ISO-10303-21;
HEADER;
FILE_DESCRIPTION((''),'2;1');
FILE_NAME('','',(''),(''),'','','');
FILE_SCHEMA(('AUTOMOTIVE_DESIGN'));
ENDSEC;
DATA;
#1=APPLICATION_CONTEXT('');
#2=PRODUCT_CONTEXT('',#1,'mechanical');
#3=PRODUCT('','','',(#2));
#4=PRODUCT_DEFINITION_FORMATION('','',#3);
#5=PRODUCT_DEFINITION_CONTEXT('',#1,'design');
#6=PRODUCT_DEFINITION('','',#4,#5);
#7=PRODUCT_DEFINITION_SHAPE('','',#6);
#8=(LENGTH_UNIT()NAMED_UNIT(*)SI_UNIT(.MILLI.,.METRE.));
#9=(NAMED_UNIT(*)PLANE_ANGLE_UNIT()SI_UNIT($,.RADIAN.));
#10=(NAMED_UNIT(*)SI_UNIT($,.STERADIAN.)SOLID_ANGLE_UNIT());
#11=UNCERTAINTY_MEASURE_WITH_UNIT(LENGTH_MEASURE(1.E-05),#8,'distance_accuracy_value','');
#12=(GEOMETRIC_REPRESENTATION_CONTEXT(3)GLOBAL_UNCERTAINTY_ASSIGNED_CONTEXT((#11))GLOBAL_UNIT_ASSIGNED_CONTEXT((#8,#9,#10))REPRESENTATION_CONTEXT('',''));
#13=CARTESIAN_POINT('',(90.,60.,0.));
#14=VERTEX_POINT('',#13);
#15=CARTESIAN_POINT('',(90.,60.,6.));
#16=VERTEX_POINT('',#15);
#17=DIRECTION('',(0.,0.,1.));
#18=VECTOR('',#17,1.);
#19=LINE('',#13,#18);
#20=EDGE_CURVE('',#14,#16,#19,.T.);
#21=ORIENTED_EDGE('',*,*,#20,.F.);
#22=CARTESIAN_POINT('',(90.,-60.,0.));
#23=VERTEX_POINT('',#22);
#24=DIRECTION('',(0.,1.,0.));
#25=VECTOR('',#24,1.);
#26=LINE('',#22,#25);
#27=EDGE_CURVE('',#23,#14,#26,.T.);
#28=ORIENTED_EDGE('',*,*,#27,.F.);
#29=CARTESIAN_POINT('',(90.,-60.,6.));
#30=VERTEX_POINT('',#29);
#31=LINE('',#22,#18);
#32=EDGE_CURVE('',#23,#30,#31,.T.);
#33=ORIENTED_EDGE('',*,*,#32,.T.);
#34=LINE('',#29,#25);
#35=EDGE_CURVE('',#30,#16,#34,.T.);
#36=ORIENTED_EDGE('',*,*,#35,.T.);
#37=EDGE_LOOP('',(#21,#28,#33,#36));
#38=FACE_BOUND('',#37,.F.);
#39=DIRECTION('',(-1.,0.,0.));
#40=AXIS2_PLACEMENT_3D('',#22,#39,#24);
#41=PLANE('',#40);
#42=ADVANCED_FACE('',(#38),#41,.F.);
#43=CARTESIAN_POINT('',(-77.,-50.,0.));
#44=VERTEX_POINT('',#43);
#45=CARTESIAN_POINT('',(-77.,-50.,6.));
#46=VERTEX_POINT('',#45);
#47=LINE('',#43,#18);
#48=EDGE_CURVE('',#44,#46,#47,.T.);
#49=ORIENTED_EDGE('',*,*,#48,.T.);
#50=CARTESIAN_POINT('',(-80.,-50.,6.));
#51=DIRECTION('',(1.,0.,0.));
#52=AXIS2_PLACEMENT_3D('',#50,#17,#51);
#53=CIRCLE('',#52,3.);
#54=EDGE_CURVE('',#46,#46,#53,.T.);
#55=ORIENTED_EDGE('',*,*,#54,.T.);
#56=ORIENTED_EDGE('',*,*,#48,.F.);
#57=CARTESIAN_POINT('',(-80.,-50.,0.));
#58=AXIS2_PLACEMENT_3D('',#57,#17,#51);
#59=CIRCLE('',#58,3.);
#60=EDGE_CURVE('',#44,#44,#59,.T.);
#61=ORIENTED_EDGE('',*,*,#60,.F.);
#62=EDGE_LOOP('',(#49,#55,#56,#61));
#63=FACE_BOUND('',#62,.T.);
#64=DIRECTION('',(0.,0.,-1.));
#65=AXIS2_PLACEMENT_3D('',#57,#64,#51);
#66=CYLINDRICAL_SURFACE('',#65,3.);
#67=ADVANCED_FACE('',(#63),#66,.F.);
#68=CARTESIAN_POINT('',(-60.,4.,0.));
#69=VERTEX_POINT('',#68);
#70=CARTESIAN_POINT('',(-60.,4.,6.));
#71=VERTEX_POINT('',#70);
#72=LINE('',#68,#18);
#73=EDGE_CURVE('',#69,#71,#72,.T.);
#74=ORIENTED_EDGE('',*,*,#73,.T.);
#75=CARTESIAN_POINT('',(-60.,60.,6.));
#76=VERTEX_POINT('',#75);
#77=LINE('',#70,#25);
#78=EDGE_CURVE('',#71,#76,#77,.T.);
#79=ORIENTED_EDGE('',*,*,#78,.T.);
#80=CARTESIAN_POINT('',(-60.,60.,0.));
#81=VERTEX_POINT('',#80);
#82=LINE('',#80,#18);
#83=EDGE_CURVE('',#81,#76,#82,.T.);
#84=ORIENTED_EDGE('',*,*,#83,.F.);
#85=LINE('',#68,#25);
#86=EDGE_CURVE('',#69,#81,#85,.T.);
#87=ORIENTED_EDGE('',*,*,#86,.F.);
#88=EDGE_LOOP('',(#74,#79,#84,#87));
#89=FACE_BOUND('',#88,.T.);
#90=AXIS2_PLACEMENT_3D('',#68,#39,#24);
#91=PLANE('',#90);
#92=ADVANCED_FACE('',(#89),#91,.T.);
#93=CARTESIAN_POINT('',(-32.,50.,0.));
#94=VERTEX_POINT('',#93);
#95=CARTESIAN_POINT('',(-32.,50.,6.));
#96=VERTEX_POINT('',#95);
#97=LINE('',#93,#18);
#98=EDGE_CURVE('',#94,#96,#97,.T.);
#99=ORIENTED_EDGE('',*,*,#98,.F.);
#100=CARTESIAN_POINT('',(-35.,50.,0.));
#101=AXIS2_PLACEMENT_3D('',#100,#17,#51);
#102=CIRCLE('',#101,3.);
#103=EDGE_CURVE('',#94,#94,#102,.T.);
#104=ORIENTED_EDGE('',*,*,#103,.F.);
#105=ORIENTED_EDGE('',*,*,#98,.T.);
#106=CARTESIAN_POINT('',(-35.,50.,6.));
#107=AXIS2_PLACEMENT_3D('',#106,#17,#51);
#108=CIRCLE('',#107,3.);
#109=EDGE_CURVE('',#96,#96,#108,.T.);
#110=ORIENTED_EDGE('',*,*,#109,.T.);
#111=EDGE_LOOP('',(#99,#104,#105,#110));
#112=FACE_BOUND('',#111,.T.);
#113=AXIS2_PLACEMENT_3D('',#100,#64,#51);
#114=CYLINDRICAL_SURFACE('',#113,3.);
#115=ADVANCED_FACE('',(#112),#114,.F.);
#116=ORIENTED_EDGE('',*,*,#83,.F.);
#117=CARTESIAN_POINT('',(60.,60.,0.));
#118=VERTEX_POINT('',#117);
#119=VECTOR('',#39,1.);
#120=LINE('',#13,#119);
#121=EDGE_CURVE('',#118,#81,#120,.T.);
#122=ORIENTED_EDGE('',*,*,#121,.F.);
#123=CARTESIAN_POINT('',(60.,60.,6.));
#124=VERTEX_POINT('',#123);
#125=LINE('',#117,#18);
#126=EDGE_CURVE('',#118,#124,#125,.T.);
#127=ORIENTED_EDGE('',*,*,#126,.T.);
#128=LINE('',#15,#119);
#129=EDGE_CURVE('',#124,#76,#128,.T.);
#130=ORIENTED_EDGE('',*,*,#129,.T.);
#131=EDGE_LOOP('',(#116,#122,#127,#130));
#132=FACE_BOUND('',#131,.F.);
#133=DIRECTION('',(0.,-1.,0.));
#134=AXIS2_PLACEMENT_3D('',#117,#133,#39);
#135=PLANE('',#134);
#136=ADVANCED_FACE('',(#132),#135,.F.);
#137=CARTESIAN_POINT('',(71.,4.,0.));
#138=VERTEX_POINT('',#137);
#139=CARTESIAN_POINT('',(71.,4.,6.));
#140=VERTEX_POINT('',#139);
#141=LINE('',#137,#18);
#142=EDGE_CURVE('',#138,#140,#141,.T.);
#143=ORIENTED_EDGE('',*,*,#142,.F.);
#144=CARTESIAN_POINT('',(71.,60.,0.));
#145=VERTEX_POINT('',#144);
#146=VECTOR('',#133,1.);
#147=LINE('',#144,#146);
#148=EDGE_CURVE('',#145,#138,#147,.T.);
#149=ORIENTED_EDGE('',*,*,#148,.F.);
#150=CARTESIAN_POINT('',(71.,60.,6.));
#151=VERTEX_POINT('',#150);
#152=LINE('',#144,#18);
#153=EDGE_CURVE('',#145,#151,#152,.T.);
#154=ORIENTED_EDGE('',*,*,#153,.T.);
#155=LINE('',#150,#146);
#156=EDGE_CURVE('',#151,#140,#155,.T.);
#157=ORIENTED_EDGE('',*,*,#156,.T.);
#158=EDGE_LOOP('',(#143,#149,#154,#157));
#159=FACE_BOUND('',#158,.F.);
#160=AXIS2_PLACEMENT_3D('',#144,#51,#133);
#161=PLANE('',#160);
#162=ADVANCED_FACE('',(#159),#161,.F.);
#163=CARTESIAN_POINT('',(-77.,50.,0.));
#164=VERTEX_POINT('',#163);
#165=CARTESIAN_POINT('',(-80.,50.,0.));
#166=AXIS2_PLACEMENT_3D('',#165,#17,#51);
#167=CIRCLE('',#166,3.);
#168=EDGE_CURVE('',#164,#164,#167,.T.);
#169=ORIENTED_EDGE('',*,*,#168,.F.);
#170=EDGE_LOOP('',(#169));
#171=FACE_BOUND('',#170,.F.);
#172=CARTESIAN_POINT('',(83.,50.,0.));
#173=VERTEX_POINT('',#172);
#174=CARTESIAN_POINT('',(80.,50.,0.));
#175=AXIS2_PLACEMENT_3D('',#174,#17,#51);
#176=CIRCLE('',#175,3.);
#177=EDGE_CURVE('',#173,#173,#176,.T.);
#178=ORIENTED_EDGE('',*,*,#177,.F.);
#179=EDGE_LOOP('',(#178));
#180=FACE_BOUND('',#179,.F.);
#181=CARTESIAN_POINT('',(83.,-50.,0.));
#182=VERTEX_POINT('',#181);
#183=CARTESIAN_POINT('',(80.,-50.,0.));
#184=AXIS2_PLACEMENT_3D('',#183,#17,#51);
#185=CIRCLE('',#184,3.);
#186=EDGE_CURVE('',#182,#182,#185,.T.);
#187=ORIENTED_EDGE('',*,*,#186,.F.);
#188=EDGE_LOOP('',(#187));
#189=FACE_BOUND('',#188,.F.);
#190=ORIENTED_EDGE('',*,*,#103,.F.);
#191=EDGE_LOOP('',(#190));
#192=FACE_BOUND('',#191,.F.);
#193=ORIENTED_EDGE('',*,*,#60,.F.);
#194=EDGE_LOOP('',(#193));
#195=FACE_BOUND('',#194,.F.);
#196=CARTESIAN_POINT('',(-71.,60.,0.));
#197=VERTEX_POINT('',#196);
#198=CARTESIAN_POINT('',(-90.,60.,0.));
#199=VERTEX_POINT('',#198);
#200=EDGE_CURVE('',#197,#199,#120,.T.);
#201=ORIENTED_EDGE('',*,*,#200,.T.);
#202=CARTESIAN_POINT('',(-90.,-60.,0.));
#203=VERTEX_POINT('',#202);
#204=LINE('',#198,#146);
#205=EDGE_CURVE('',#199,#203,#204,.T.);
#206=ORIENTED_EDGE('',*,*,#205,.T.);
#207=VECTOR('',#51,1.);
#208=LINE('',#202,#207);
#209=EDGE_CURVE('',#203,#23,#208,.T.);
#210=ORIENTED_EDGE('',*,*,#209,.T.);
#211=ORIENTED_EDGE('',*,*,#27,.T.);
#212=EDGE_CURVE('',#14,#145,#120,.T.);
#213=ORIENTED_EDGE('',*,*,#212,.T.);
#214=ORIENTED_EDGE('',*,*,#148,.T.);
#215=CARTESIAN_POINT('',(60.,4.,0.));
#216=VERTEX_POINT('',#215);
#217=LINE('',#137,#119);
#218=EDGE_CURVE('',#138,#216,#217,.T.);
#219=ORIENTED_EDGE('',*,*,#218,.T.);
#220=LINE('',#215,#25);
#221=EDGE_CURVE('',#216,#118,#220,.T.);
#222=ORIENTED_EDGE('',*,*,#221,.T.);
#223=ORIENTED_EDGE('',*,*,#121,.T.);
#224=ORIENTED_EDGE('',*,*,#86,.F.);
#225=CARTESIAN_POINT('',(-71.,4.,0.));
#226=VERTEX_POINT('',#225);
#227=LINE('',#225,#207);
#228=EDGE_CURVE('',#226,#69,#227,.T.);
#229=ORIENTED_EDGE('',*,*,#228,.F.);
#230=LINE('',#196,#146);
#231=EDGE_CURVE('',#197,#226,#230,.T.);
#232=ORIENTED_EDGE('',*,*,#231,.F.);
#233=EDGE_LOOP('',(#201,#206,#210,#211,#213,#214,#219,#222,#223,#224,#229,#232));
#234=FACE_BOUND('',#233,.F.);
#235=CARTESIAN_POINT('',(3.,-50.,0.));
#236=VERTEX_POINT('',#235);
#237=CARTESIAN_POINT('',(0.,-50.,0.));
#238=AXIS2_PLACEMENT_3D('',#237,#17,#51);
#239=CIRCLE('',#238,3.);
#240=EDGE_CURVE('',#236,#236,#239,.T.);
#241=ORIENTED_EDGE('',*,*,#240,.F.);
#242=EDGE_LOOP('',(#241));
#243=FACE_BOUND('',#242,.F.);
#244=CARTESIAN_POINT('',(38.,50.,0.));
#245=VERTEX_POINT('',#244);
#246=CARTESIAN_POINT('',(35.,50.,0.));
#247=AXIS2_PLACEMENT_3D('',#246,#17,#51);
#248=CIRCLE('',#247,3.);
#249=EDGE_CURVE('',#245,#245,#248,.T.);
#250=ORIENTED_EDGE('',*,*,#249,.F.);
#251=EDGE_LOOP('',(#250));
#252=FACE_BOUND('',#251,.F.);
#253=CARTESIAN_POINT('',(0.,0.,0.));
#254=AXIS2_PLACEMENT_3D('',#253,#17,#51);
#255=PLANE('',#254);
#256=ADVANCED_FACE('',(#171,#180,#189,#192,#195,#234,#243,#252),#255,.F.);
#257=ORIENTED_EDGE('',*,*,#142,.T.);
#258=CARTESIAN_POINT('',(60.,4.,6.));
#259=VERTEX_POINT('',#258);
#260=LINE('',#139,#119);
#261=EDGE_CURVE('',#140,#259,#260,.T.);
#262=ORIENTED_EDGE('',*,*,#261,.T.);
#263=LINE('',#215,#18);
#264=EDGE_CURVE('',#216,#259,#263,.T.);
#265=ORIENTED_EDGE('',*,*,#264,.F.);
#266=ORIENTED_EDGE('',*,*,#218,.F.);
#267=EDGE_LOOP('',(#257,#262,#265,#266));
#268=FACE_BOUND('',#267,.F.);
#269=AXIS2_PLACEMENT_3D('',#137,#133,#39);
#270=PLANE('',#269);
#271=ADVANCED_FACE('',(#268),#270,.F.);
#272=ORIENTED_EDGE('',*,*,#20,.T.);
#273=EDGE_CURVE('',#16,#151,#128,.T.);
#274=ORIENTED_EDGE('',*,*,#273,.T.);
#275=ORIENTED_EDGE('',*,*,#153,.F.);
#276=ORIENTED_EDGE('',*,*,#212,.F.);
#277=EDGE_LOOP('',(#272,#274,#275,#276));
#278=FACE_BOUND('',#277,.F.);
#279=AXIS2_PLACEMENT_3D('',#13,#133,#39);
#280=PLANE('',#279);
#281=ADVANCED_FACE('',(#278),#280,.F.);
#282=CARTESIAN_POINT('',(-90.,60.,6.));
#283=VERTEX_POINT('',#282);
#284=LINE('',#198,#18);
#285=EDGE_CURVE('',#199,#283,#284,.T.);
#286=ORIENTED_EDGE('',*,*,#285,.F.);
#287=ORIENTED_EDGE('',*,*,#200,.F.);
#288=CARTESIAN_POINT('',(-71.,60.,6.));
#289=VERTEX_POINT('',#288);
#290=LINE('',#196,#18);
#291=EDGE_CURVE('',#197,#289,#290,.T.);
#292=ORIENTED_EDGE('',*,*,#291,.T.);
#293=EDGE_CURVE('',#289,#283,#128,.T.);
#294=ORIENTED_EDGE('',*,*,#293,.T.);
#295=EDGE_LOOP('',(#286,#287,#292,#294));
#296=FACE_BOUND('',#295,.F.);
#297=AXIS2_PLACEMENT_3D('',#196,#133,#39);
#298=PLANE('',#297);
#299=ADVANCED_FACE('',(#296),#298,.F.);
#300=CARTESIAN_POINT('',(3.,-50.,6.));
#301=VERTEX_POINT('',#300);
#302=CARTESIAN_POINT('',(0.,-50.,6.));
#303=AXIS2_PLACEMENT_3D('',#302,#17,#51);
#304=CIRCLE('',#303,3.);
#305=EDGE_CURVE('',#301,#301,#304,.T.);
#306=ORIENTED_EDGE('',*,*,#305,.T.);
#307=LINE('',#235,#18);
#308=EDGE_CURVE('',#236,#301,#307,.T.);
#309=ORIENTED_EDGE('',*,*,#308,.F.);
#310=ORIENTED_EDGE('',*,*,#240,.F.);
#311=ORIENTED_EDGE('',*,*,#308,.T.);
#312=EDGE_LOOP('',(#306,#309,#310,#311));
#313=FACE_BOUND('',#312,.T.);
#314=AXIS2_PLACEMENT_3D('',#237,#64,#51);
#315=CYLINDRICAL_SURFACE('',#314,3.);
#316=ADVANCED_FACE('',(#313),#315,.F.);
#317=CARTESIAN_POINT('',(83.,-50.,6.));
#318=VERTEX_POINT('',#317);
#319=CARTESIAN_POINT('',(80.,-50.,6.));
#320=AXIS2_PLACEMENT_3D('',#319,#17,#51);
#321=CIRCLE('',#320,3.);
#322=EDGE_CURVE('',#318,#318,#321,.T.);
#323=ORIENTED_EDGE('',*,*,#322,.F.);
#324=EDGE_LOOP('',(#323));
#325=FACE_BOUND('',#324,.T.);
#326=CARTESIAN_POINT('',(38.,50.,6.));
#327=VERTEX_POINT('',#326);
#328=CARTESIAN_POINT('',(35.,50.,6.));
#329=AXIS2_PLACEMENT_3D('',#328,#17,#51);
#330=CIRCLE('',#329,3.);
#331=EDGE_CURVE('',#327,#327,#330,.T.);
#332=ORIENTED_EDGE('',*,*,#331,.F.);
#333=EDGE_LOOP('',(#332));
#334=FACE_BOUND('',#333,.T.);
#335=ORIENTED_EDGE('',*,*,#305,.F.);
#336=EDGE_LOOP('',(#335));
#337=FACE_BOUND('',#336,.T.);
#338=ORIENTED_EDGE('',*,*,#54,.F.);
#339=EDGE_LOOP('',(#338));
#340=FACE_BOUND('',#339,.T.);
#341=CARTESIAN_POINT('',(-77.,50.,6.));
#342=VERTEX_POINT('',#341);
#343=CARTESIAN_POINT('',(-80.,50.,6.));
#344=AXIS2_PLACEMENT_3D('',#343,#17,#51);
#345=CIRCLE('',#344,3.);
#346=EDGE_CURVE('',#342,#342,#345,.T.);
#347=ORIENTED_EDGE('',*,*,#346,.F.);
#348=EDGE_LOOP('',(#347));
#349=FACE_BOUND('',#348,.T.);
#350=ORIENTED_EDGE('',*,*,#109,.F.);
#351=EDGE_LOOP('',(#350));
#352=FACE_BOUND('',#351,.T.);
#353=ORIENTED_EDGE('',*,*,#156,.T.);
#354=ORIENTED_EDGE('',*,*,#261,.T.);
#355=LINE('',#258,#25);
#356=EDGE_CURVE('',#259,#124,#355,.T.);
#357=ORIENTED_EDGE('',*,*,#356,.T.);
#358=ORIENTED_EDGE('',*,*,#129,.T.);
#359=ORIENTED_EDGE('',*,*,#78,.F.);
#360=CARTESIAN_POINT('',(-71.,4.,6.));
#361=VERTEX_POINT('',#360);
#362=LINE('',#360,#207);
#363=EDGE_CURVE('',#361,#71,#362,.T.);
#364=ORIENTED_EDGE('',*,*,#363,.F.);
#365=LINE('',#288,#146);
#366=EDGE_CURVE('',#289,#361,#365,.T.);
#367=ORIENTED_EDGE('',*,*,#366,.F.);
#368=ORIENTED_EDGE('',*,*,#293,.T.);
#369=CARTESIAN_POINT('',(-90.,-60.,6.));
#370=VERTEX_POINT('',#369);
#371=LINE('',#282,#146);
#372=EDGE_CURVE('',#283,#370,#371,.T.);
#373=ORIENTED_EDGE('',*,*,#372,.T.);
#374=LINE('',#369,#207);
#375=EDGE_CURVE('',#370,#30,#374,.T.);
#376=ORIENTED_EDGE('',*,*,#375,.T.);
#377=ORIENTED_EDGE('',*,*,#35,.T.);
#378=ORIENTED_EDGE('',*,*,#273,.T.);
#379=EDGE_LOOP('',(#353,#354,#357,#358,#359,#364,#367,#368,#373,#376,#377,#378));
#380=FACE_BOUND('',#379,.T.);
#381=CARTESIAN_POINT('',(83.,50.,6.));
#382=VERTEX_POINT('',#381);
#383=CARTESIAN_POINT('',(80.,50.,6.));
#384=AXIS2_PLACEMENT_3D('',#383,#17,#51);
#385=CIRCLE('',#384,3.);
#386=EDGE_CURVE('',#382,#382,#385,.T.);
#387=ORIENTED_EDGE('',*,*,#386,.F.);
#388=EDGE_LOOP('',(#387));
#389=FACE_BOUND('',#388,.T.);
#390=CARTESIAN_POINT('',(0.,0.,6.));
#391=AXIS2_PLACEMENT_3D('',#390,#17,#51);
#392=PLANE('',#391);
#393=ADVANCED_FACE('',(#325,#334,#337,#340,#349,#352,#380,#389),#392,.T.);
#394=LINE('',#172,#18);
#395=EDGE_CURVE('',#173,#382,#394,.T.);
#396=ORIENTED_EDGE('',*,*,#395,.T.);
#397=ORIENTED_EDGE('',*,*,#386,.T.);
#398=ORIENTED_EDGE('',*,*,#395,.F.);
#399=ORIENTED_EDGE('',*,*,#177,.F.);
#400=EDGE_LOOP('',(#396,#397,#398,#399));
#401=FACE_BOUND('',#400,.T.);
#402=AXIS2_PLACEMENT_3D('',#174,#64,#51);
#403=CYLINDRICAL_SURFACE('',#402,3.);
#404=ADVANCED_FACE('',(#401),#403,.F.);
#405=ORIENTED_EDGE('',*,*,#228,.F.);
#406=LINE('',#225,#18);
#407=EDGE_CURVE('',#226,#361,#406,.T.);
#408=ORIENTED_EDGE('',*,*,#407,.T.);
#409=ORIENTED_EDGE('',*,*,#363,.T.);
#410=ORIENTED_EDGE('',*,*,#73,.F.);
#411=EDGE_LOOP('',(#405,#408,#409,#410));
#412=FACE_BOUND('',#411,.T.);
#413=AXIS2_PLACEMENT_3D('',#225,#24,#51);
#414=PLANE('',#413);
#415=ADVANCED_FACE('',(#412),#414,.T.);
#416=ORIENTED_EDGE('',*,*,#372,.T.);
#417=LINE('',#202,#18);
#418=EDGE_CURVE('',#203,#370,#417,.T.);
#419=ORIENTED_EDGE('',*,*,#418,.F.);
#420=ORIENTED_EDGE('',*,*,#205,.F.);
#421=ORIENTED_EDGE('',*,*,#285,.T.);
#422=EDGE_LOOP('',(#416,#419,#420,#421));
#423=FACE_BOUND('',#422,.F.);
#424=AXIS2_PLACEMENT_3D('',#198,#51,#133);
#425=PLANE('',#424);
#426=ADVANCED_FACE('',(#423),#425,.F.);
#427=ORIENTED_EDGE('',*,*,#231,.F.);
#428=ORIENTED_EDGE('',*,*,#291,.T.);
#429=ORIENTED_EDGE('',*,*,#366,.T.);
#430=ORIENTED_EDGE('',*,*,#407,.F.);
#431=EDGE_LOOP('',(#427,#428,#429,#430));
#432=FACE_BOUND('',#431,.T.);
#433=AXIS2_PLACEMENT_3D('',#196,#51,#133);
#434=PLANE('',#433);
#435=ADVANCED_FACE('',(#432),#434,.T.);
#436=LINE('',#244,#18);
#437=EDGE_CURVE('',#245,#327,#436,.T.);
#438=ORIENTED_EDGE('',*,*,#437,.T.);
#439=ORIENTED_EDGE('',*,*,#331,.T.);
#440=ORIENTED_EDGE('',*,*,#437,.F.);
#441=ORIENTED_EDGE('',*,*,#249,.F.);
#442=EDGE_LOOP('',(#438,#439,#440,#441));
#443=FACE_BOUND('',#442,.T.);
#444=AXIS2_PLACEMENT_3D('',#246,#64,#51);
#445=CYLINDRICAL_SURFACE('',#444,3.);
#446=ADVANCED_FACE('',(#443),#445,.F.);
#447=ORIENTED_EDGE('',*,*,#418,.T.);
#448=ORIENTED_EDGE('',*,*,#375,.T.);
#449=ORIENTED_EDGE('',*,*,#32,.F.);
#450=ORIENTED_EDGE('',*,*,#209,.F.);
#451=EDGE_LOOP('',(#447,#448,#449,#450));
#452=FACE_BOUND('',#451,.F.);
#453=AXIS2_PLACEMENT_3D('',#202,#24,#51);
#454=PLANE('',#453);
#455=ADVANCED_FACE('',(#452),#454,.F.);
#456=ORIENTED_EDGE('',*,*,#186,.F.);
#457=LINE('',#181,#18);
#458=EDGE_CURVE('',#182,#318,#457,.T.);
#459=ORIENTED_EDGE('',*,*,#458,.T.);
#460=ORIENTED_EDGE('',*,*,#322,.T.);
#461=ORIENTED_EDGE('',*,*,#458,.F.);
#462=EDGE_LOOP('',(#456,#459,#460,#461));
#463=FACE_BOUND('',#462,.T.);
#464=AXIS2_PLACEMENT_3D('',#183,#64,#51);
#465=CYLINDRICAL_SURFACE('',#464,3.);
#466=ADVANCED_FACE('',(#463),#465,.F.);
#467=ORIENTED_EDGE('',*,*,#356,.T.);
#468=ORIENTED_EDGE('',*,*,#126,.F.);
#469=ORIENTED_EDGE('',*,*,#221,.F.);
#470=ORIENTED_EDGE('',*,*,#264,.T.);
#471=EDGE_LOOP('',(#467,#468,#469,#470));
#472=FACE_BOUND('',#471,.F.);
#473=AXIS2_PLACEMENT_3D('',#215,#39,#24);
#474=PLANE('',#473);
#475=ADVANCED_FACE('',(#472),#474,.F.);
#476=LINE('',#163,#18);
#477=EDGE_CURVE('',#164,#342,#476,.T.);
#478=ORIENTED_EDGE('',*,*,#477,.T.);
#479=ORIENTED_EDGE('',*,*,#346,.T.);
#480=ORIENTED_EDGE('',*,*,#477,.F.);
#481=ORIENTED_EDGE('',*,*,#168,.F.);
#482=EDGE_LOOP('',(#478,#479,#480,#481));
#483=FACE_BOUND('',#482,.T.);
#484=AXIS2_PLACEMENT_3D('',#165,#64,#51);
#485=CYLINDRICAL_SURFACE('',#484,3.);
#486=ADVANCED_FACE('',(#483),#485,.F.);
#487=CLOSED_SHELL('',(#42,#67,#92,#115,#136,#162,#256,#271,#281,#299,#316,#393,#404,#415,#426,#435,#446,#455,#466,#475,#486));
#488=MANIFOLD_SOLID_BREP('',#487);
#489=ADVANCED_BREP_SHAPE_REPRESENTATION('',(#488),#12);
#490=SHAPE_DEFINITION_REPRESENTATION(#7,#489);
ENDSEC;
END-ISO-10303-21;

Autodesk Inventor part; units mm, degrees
ref_plane "YZ Plane" through (0, 0, 0) normal (1, 0, 0) x (0, 1, 0)
ref_plane "XZ Plane" through (0, 0, 0) normal (0, 1, 0) x (-1, 0, 0)
ref_plane "XY Plane" through (0, 0, 0) normal (0, 0, 1) x (1, 0, 0)
sketch "Sketch1" plane through (0, 0, 0) normal (0, 0, 1) x (1, 0, 0)
  line L0 (-70, 40) -> (70, 40) construction
  line L1 (70, 40) -> (70, -40) construction
  line L2 (70, -40) -> (-70, -40) construction
  line L3 (-70, -40) -> (-70, 40) construction
  line L4 (90, 60) -> (-90, 60)
  line L5 (-90, 60) -> (-90, -60)
  line L6 (-90, -60) -> (90, -60)
  line L7 (90, -60) -> (90, 60)
  circle A0 centre (80, 50) radius 3
  circle A1 centre (-80, 50) radius 3
  circle A2 centre (-80, -50) radius 3
  circle A3 centre (0, -50) radius 3
  circle A4 centre (80, -50) radius 3
  line L8 (-90, 0) -> (90, 0) construction
  line L9 (0, 60) -> (0, -60) construction
  line L10 (-71, 60) -> (-71, 4)
  line L11 (-71, 4) -> (-60, 4)
  line L12 (-60, 4) -> (-60, 60)
  line L13 (71, 60) -> (71, 4)
  line L14 (71, 4) -> (60, 4)
  line L15 (60, 4) -> (60, 60)
  circle A5 centre (-35, 50) radius 3
  circle A6 centre (35, 50) radius 3
  point P0 (0, 0)
  point P1 (0, 40)
  point P2 (70, 0)
  point P3 (-70, 0)
  point P4 (0, 0)
  dimension "d0" = 140
  dimension "d1" = 80
  dimension "d2" = 20
  dimension "d7" = 6
  dimension "d8" = 10
  dimension "d9" = 10
  dimension "d17" = 56
  dimension "d18" = 11
  dimension "d19" = 1
  dimension "d20" = 10
  dimension "d21" = 35
extrude "Extrusion3" add sketch "Sketch1" along normal blind 6 contours L7 L6 L5 L4 L10 L11 L12 L15 L14 L13
properties part number "bottom"
